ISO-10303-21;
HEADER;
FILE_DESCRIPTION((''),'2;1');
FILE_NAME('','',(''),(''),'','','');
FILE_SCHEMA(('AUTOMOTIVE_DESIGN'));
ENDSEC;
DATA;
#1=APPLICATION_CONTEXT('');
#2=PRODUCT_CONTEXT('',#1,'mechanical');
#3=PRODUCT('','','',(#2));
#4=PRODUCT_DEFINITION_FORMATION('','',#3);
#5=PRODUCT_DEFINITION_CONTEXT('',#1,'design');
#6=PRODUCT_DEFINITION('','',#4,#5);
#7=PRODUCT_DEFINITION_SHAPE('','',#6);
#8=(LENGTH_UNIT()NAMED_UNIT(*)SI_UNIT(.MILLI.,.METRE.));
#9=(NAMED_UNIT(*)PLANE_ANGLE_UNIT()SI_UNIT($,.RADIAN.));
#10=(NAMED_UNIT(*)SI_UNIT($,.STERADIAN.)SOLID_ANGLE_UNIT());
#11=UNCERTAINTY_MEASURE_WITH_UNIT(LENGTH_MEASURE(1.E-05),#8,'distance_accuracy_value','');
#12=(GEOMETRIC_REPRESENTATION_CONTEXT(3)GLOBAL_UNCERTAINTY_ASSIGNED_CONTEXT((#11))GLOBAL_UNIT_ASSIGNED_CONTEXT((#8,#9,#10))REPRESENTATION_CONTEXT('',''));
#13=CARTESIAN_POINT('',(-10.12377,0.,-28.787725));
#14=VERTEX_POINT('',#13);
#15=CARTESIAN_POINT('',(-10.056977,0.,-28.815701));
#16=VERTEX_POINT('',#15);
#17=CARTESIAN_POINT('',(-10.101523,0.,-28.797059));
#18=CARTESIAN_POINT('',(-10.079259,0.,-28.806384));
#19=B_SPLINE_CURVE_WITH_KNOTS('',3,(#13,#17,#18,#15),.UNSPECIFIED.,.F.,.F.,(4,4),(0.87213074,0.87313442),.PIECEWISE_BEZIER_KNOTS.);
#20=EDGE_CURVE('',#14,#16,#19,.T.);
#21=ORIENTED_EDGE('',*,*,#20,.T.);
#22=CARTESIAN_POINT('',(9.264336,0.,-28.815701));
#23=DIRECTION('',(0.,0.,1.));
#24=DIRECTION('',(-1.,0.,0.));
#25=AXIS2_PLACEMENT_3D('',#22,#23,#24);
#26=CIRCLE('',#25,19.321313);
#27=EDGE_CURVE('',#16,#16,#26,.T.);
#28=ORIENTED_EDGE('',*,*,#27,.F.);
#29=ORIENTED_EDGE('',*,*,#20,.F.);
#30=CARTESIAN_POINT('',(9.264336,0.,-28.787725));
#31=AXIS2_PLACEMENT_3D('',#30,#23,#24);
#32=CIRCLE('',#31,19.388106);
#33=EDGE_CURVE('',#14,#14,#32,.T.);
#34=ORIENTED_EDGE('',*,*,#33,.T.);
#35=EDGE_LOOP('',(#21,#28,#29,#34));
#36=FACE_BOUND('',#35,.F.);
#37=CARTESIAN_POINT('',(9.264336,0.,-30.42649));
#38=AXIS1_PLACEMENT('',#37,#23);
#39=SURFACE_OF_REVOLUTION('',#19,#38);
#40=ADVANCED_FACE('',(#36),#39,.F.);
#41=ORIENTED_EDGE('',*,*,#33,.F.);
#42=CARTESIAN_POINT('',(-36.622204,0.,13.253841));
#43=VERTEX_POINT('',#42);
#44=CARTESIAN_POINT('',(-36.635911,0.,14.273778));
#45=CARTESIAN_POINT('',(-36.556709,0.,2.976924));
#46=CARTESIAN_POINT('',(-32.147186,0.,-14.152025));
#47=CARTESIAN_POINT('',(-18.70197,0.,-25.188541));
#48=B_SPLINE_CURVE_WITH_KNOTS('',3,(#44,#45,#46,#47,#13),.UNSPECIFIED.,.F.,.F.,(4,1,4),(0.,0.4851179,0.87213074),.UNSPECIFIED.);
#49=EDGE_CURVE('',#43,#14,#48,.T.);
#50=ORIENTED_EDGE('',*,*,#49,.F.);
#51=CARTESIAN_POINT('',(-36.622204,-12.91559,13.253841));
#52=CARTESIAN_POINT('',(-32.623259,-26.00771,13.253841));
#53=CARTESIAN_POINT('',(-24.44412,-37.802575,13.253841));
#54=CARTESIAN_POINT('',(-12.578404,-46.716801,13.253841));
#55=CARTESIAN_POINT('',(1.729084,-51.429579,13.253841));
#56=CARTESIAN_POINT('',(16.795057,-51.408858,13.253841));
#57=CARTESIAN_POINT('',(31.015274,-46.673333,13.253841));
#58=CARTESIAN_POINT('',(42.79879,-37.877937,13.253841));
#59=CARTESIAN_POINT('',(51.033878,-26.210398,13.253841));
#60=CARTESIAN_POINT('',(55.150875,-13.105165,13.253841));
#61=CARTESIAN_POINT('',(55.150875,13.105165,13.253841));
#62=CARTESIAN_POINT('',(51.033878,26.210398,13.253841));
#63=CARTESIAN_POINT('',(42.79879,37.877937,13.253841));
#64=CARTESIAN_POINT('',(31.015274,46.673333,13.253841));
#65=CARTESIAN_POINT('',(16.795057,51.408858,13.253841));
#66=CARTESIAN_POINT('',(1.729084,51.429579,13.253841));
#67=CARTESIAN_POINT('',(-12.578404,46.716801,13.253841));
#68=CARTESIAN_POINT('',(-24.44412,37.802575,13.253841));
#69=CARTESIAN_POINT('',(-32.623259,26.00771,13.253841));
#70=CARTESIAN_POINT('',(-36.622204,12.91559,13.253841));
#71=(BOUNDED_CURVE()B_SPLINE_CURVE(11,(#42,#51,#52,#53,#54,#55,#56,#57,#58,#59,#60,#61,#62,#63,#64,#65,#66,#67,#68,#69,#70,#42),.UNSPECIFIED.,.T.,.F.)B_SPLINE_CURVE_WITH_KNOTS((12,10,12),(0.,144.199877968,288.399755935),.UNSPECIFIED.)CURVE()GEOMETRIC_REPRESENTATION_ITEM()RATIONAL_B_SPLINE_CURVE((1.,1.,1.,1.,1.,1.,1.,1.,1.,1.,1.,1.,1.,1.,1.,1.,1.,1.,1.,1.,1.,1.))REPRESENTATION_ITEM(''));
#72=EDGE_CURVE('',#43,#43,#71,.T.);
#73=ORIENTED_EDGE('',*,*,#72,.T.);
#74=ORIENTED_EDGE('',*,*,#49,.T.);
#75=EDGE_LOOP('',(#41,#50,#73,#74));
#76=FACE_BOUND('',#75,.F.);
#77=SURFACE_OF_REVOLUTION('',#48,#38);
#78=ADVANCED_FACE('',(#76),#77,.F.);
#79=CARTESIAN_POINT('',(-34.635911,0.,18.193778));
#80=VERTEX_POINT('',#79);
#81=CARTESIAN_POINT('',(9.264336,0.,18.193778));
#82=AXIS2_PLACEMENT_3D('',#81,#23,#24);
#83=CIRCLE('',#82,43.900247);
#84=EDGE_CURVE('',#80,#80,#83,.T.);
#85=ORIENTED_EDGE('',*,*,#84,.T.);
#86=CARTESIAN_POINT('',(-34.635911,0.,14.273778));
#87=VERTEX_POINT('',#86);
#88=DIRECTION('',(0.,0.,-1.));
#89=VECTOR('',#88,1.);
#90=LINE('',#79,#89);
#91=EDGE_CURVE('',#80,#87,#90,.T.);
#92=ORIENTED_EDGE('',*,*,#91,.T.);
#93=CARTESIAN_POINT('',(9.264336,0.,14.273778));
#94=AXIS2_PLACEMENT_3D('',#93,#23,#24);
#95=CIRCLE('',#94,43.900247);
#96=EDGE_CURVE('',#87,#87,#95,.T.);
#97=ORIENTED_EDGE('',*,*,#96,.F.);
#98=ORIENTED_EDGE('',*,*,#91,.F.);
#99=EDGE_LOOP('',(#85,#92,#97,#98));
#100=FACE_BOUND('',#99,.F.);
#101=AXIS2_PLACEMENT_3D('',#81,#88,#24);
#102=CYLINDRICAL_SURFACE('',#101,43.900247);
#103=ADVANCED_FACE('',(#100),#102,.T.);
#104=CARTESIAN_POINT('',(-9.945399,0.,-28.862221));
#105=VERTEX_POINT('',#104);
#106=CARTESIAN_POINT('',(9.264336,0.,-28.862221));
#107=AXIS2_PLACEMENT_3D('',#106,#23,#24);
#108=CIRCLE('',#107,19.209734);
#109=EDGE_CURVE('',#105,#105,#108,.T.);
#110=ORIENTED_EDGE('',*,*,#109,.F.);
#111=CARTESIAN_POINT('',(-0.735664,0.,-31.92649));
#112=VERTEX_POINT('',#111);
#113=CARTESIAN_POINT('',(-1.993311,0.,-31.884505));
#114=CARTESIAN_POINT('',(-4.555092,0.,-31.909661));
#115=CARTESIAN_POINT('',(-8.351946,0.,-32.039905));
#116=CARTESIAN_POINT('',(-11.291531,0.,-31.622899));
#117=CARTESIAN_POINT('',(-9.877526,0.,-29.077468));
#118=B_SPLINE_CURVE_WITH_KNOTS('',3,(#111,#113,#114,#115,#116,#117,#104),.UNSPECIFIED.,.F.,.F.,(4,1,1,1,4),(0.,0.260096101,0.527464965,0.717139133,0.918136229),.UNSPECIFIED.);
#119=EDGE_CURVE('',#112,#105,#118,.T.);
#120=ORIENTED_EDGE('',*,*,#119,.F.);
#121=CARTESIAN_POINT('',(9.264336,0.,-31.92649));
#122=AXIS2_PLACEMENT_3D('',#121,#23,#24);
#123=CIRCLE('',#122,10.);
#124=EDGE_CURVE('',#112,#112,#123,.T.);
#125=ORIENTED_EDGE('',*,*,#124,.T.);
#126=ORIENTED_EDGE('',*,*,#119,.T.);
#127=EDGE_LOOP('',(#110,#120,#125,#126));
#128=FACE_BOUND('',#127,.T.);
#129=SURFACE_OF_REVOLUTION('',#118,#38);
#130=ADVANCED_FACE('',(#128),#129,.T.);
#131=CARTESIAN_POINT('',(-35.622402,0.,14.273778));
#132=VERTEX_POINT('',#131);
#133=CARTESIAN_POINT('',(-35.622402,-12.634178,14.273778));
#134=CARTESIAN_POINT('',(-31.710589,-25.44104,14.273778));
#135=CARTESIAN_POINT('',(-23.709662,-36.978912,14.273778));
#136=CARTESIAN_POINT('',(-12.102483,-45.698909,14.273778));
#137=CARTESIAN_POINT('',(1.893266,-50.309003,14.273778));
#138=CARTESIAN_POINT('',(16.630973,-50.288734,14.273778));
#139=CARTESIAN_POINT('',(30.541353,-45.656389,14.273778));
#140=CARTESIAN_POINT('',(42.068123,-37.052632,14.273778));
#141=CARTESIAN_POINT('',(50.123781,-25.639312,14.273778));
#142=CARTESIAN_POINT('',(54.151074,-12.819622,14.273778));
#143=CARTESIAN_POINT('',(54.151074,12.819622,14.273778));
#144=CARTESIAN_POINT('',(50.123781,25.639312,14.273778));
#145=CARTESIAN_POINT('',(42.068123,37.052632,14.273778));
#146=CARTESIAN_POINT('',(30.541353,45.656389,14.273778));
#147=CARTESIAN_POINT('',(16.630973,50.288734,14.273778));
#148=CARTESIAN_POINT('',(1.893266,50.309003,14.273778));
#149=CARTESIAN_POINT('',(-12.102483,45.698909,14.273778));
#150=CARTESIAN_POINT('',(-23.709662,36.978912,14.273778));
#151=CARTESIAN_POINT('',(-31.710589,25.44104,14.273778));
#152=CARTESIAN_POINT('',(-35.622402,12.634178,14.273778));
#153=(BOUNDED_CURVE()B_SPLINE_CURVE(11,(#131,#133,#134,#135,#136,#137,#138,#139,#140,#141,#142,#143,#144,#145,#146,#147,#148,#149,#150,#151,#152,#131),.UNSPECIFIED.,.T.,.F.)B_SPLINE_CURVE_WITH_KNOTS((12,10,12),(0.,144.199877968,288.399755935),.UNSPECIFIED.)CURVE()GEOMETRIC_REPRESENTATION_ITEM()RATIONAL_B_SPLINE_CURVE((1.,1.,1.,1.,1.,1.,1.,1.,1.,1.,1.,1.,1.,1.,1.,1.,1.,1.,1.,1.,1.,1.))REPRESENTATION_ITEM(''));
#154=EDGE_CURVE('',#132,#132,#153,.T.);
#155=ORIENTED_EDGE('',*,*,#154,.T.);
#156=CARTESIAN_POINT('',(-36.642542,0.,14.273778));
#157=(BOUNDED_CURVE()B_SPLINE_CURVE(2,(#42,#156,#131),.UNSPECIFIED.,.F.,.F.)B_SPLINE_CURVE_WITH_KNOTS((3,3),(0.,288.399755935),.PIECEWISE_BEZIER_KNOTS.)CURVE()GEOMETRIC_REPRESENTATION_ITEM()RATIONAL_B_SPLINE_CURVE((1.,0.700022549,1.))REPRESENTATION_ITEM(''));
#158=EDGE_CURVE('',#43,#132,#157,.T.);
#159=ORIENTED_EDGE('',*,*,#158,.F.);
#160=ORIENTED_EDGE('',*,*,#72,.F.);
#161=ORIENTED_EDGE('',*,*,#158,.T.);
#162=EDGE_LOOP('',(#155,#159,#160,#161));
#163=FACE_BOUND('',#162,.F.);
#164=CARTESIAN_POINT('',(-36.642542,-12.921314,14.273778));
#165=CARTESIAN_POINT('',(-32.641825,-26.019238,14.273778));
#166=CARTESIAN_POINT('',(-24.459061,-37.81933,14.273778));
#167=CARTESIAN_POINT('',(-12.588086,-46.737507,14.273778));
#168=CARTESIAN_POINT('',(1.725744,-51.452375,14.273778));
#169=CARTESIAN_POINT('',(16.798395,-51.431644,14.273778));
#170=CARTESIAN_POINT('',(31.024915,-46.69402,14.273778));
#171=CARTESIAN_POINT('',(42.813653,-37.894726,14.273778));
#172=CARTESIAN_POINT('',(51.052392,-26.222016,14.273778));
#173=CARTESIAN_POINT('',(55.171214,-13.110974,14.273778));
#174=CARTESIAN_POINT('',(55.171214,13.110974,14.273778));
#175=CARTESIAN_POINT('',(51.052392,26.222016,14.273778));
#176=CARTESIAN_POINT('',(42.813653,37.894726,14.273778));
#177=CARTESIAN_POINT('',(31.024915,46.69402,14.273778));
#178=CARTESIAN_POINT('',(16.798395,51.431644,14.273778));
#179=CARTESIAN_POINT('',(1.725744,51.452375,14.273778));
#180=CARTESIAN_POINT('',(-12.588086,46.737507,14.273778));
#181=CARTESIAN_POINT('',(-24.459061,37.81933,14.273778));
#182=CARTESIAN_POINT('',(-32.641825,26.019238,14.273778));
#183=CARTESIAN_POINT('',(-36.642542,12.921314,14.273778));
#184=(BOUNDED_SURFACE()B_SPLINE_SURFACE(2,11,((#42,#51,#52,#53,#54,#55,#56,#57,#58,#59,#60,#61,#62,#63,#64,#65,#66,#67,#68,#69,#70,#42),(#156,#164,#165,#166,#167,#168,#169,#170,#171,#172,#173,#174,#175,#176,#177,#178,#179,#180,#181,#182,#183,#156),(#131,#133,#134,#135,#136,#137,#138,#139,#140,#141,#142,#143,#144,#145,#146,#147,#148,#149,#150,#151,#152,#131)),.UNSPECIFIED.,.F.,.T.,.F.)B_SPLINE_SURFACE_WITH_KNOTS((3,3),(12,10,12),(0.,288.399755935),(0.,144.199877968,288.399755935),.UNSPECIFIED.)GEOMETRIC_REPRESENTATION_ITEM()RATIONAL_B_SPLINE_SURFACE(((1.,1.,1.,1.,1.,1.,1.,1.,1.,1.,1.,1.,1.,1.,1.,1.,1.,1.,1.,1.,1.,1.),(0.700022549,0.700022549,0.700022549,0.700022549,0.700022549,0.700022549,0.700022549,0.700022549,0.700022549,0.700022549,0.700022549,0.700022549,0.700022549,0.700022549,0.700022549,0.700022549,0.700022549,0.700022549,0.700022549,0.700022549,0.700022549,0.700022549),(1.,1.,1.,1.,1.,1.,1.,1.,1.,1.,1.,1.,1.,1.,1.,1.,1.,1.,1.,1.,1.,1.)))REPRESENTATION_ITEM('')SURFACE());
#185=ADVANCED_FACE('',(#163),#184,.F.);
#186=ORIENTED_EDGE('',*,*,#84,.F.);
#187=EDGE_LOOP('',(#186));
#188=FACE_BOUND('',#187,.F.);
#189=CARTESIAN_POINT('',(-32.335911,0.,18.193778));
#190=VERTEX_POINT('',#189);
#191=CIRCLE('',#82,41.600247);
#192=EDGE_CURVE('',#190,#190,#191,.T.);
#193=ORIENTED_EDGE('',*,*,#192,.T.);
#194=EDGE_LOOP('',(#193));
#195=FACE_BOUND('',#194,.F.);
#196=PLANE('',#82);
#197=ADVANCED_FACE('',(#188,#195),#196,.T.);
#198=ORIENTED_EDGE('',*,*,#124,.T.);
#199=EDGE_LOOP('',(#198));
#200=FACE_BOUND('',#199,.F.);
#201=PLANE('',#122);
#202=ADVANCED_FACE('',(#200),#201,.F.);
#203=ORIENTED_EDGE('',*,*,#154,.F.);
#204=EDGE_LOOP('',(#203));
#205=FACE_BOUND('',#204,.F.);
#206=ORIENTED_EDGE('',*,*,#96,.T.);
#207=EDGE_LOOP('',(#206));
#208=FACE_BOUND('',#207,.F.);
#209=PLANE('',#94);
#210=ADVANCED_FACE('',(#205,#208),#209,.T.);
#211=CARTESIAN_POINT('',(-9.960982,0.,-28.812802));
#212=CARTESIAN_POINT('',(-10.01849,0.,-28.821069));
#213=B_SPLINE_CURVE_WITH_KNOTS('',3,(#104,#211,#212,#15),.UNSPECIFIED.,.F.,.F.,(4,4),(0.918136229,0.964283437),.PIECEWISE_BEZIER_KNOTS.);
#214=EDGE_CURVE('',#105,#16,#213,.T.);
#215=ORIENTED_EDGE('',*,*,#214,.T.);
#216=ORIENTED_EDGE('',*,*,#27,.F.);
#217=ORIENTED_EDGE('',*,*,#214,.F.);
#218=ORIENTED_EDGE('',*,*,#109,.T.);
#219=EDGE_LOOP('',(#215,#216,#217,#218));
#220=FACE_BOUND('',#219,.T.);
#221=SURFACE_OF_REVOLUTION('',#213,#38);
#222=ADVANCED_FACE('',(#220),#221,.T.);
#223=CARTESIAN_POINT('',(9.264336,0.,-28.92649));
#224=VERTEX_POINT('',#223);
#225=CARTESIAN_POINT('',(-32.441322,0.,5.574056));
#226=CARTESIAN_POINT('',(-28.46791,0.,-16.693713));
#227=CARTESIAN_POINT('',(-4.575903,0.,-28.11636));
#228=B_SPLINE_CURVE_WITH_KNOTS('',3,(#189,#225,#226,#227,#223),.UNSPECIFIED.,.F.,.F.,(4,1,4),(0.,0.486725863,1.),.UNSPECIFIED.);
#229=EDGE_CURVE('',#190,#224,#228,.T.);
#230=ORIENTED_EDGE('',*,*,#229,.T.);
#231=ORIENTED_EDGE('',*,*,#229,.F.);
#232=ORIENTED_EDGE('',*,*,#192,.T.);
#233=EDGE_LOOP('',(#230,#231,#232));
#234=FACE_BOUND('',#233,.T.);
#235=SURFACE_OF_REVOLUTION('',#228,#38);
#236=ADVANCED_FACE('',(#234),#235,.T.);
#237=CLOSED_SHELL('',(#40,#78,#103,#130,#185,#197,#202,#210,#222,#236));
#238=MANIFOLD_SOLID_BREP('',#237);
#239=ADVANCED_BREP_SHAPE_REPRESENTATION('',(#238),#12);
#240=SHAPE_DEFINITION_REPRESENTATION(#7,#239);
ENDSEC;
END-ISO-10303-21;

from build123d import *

# Parameters (mm, degrees)
F2_R = 1


with BuildPart() as f1:
    # F0 (on Front) → F1 (revolve)
    with BuildSketch(Plane.XZ):
        with BuildLine():
            add(Edge.make_bspline(
                [(-32.3359110098, 18.1937779991), (-32.4413222202, 5.574056131), (-28.4679104155, -16.693713392), (-4.5759028476, -28.1163602095), (9.2643357338, -28.9264903665)],
                knots=[0, 0, 0, 0, 0.4867258629, 1, 1, 1, 1], degree=3))
            Line((-32.3359110098, 18.1937779991), (-34.6359110098, 18.1937779991))
            Line((-34.6359110098, 18.1937779991), (-34.6359110098, 14.2737779991))
            Line((-34.6359110098, 14.2737779991), (-36.6359110098, 14.2737779991))
            add(Edge.make_bspline(
                [(-36.6359110098, 14.2737779991), (-36.5567092917, 2.9769244924), (-32.1471855902, -14.1520251167), (-18.7019702586, -25.188540859), (-10.1237697936, -28.7877249242)],
                knots=[0, 0, 0, 0, 0.4851178996, 0.8721307396, 0.8721307396, 0.8721307396, 0.8721307396], degree=3))
            add(Edge.make_bspline(
                [(-10.1237697936, -28.7877249242), (-10.1015230554, -28.7970590621), (-10.0792587508, -28.8063844677), (-10.0569768653, -28.8157011393)],
                knots=[0.8721307396, 0.8721307396, 0.8721307396, 0.8721307396, 0.8731344202, 0.8731344202, 0.8731344202, 0.8731344202], degree=3))
            add(Edge.make_bspline(
                [(-9.9453986643, -28.8622209353), (-9.9609816107, -28.8128020061), (-10.0184900831, -28.8210689778), (-10.0569768653, -28.8157011393)],
                knots=[0.9181362292, 0.9181362292, 0.9181362292, 0.9181362292, 0.9642834368, 0.9642834368, 0.9642834368, 0.9642834368], degree=3))
            add(Edge.make_bspline(
                [(-9.9453986643, -28.8622209353), (-7.1587881293, -30.0206879298), (-4.0982701724, -31.0432237787), (-0.7356642662, -31.9264903665)],
                knots=[0.8748075536, 0.8748075536, 0.8748075536, 0.8748075536, 1, 1, 1, 1], degree=3))
            Line((-0.7356642662, -31.9264903665), (9.2643357338, -31.9264903665))
            Line((9.2643357338, -31.9264903665), (9.2643357338, -28.9264903665))
        make_face()
        with BuildLine():
            add(Edge.make_bspline(
                [(-0.7356642662, -31.9264903665), (-1.9933114342, -31.8845050925), (-4.5550922124, -31.9096607211), (-8.3519460045, -32.0399048048), (-11.2915314062, -31.6228987535), (-9.8775261503, -29.0774682232), (-9.9453986643, -28.8622209353)],
                knots=[0, 0, 0, 0, 0.2600961011, 0.5274649648, 0.7171391325, 0.9181362292, 0.9181362292, 0.9181362292, 0.9181362292], degree=3))
            add(Edge.make_bspline(
                [(-9.9453986643, -28.8622209353), (-7.1587881293, -30.0206879298), (-4.0982701724, -31.0432237787), (-0.7356642662, -31.9264903665)],
                knots=[0.8748075536, 0.8748075536, 0.8748075536, 0.8748075536, 1, 1, 1, 1], degree=3))
        make_face()
    revolve(axis=Axis((9.2643357338, 0, -30.4264903665), (0, 0, 1)))

    # F2
    f2_edges = [f1.edges().sort_by_distance(p)[0] for p in [
        (55.164582, 0, 14.273778),
    ]]
    fillet(f2_edges, radius=F2_R)


solid = f1.part
